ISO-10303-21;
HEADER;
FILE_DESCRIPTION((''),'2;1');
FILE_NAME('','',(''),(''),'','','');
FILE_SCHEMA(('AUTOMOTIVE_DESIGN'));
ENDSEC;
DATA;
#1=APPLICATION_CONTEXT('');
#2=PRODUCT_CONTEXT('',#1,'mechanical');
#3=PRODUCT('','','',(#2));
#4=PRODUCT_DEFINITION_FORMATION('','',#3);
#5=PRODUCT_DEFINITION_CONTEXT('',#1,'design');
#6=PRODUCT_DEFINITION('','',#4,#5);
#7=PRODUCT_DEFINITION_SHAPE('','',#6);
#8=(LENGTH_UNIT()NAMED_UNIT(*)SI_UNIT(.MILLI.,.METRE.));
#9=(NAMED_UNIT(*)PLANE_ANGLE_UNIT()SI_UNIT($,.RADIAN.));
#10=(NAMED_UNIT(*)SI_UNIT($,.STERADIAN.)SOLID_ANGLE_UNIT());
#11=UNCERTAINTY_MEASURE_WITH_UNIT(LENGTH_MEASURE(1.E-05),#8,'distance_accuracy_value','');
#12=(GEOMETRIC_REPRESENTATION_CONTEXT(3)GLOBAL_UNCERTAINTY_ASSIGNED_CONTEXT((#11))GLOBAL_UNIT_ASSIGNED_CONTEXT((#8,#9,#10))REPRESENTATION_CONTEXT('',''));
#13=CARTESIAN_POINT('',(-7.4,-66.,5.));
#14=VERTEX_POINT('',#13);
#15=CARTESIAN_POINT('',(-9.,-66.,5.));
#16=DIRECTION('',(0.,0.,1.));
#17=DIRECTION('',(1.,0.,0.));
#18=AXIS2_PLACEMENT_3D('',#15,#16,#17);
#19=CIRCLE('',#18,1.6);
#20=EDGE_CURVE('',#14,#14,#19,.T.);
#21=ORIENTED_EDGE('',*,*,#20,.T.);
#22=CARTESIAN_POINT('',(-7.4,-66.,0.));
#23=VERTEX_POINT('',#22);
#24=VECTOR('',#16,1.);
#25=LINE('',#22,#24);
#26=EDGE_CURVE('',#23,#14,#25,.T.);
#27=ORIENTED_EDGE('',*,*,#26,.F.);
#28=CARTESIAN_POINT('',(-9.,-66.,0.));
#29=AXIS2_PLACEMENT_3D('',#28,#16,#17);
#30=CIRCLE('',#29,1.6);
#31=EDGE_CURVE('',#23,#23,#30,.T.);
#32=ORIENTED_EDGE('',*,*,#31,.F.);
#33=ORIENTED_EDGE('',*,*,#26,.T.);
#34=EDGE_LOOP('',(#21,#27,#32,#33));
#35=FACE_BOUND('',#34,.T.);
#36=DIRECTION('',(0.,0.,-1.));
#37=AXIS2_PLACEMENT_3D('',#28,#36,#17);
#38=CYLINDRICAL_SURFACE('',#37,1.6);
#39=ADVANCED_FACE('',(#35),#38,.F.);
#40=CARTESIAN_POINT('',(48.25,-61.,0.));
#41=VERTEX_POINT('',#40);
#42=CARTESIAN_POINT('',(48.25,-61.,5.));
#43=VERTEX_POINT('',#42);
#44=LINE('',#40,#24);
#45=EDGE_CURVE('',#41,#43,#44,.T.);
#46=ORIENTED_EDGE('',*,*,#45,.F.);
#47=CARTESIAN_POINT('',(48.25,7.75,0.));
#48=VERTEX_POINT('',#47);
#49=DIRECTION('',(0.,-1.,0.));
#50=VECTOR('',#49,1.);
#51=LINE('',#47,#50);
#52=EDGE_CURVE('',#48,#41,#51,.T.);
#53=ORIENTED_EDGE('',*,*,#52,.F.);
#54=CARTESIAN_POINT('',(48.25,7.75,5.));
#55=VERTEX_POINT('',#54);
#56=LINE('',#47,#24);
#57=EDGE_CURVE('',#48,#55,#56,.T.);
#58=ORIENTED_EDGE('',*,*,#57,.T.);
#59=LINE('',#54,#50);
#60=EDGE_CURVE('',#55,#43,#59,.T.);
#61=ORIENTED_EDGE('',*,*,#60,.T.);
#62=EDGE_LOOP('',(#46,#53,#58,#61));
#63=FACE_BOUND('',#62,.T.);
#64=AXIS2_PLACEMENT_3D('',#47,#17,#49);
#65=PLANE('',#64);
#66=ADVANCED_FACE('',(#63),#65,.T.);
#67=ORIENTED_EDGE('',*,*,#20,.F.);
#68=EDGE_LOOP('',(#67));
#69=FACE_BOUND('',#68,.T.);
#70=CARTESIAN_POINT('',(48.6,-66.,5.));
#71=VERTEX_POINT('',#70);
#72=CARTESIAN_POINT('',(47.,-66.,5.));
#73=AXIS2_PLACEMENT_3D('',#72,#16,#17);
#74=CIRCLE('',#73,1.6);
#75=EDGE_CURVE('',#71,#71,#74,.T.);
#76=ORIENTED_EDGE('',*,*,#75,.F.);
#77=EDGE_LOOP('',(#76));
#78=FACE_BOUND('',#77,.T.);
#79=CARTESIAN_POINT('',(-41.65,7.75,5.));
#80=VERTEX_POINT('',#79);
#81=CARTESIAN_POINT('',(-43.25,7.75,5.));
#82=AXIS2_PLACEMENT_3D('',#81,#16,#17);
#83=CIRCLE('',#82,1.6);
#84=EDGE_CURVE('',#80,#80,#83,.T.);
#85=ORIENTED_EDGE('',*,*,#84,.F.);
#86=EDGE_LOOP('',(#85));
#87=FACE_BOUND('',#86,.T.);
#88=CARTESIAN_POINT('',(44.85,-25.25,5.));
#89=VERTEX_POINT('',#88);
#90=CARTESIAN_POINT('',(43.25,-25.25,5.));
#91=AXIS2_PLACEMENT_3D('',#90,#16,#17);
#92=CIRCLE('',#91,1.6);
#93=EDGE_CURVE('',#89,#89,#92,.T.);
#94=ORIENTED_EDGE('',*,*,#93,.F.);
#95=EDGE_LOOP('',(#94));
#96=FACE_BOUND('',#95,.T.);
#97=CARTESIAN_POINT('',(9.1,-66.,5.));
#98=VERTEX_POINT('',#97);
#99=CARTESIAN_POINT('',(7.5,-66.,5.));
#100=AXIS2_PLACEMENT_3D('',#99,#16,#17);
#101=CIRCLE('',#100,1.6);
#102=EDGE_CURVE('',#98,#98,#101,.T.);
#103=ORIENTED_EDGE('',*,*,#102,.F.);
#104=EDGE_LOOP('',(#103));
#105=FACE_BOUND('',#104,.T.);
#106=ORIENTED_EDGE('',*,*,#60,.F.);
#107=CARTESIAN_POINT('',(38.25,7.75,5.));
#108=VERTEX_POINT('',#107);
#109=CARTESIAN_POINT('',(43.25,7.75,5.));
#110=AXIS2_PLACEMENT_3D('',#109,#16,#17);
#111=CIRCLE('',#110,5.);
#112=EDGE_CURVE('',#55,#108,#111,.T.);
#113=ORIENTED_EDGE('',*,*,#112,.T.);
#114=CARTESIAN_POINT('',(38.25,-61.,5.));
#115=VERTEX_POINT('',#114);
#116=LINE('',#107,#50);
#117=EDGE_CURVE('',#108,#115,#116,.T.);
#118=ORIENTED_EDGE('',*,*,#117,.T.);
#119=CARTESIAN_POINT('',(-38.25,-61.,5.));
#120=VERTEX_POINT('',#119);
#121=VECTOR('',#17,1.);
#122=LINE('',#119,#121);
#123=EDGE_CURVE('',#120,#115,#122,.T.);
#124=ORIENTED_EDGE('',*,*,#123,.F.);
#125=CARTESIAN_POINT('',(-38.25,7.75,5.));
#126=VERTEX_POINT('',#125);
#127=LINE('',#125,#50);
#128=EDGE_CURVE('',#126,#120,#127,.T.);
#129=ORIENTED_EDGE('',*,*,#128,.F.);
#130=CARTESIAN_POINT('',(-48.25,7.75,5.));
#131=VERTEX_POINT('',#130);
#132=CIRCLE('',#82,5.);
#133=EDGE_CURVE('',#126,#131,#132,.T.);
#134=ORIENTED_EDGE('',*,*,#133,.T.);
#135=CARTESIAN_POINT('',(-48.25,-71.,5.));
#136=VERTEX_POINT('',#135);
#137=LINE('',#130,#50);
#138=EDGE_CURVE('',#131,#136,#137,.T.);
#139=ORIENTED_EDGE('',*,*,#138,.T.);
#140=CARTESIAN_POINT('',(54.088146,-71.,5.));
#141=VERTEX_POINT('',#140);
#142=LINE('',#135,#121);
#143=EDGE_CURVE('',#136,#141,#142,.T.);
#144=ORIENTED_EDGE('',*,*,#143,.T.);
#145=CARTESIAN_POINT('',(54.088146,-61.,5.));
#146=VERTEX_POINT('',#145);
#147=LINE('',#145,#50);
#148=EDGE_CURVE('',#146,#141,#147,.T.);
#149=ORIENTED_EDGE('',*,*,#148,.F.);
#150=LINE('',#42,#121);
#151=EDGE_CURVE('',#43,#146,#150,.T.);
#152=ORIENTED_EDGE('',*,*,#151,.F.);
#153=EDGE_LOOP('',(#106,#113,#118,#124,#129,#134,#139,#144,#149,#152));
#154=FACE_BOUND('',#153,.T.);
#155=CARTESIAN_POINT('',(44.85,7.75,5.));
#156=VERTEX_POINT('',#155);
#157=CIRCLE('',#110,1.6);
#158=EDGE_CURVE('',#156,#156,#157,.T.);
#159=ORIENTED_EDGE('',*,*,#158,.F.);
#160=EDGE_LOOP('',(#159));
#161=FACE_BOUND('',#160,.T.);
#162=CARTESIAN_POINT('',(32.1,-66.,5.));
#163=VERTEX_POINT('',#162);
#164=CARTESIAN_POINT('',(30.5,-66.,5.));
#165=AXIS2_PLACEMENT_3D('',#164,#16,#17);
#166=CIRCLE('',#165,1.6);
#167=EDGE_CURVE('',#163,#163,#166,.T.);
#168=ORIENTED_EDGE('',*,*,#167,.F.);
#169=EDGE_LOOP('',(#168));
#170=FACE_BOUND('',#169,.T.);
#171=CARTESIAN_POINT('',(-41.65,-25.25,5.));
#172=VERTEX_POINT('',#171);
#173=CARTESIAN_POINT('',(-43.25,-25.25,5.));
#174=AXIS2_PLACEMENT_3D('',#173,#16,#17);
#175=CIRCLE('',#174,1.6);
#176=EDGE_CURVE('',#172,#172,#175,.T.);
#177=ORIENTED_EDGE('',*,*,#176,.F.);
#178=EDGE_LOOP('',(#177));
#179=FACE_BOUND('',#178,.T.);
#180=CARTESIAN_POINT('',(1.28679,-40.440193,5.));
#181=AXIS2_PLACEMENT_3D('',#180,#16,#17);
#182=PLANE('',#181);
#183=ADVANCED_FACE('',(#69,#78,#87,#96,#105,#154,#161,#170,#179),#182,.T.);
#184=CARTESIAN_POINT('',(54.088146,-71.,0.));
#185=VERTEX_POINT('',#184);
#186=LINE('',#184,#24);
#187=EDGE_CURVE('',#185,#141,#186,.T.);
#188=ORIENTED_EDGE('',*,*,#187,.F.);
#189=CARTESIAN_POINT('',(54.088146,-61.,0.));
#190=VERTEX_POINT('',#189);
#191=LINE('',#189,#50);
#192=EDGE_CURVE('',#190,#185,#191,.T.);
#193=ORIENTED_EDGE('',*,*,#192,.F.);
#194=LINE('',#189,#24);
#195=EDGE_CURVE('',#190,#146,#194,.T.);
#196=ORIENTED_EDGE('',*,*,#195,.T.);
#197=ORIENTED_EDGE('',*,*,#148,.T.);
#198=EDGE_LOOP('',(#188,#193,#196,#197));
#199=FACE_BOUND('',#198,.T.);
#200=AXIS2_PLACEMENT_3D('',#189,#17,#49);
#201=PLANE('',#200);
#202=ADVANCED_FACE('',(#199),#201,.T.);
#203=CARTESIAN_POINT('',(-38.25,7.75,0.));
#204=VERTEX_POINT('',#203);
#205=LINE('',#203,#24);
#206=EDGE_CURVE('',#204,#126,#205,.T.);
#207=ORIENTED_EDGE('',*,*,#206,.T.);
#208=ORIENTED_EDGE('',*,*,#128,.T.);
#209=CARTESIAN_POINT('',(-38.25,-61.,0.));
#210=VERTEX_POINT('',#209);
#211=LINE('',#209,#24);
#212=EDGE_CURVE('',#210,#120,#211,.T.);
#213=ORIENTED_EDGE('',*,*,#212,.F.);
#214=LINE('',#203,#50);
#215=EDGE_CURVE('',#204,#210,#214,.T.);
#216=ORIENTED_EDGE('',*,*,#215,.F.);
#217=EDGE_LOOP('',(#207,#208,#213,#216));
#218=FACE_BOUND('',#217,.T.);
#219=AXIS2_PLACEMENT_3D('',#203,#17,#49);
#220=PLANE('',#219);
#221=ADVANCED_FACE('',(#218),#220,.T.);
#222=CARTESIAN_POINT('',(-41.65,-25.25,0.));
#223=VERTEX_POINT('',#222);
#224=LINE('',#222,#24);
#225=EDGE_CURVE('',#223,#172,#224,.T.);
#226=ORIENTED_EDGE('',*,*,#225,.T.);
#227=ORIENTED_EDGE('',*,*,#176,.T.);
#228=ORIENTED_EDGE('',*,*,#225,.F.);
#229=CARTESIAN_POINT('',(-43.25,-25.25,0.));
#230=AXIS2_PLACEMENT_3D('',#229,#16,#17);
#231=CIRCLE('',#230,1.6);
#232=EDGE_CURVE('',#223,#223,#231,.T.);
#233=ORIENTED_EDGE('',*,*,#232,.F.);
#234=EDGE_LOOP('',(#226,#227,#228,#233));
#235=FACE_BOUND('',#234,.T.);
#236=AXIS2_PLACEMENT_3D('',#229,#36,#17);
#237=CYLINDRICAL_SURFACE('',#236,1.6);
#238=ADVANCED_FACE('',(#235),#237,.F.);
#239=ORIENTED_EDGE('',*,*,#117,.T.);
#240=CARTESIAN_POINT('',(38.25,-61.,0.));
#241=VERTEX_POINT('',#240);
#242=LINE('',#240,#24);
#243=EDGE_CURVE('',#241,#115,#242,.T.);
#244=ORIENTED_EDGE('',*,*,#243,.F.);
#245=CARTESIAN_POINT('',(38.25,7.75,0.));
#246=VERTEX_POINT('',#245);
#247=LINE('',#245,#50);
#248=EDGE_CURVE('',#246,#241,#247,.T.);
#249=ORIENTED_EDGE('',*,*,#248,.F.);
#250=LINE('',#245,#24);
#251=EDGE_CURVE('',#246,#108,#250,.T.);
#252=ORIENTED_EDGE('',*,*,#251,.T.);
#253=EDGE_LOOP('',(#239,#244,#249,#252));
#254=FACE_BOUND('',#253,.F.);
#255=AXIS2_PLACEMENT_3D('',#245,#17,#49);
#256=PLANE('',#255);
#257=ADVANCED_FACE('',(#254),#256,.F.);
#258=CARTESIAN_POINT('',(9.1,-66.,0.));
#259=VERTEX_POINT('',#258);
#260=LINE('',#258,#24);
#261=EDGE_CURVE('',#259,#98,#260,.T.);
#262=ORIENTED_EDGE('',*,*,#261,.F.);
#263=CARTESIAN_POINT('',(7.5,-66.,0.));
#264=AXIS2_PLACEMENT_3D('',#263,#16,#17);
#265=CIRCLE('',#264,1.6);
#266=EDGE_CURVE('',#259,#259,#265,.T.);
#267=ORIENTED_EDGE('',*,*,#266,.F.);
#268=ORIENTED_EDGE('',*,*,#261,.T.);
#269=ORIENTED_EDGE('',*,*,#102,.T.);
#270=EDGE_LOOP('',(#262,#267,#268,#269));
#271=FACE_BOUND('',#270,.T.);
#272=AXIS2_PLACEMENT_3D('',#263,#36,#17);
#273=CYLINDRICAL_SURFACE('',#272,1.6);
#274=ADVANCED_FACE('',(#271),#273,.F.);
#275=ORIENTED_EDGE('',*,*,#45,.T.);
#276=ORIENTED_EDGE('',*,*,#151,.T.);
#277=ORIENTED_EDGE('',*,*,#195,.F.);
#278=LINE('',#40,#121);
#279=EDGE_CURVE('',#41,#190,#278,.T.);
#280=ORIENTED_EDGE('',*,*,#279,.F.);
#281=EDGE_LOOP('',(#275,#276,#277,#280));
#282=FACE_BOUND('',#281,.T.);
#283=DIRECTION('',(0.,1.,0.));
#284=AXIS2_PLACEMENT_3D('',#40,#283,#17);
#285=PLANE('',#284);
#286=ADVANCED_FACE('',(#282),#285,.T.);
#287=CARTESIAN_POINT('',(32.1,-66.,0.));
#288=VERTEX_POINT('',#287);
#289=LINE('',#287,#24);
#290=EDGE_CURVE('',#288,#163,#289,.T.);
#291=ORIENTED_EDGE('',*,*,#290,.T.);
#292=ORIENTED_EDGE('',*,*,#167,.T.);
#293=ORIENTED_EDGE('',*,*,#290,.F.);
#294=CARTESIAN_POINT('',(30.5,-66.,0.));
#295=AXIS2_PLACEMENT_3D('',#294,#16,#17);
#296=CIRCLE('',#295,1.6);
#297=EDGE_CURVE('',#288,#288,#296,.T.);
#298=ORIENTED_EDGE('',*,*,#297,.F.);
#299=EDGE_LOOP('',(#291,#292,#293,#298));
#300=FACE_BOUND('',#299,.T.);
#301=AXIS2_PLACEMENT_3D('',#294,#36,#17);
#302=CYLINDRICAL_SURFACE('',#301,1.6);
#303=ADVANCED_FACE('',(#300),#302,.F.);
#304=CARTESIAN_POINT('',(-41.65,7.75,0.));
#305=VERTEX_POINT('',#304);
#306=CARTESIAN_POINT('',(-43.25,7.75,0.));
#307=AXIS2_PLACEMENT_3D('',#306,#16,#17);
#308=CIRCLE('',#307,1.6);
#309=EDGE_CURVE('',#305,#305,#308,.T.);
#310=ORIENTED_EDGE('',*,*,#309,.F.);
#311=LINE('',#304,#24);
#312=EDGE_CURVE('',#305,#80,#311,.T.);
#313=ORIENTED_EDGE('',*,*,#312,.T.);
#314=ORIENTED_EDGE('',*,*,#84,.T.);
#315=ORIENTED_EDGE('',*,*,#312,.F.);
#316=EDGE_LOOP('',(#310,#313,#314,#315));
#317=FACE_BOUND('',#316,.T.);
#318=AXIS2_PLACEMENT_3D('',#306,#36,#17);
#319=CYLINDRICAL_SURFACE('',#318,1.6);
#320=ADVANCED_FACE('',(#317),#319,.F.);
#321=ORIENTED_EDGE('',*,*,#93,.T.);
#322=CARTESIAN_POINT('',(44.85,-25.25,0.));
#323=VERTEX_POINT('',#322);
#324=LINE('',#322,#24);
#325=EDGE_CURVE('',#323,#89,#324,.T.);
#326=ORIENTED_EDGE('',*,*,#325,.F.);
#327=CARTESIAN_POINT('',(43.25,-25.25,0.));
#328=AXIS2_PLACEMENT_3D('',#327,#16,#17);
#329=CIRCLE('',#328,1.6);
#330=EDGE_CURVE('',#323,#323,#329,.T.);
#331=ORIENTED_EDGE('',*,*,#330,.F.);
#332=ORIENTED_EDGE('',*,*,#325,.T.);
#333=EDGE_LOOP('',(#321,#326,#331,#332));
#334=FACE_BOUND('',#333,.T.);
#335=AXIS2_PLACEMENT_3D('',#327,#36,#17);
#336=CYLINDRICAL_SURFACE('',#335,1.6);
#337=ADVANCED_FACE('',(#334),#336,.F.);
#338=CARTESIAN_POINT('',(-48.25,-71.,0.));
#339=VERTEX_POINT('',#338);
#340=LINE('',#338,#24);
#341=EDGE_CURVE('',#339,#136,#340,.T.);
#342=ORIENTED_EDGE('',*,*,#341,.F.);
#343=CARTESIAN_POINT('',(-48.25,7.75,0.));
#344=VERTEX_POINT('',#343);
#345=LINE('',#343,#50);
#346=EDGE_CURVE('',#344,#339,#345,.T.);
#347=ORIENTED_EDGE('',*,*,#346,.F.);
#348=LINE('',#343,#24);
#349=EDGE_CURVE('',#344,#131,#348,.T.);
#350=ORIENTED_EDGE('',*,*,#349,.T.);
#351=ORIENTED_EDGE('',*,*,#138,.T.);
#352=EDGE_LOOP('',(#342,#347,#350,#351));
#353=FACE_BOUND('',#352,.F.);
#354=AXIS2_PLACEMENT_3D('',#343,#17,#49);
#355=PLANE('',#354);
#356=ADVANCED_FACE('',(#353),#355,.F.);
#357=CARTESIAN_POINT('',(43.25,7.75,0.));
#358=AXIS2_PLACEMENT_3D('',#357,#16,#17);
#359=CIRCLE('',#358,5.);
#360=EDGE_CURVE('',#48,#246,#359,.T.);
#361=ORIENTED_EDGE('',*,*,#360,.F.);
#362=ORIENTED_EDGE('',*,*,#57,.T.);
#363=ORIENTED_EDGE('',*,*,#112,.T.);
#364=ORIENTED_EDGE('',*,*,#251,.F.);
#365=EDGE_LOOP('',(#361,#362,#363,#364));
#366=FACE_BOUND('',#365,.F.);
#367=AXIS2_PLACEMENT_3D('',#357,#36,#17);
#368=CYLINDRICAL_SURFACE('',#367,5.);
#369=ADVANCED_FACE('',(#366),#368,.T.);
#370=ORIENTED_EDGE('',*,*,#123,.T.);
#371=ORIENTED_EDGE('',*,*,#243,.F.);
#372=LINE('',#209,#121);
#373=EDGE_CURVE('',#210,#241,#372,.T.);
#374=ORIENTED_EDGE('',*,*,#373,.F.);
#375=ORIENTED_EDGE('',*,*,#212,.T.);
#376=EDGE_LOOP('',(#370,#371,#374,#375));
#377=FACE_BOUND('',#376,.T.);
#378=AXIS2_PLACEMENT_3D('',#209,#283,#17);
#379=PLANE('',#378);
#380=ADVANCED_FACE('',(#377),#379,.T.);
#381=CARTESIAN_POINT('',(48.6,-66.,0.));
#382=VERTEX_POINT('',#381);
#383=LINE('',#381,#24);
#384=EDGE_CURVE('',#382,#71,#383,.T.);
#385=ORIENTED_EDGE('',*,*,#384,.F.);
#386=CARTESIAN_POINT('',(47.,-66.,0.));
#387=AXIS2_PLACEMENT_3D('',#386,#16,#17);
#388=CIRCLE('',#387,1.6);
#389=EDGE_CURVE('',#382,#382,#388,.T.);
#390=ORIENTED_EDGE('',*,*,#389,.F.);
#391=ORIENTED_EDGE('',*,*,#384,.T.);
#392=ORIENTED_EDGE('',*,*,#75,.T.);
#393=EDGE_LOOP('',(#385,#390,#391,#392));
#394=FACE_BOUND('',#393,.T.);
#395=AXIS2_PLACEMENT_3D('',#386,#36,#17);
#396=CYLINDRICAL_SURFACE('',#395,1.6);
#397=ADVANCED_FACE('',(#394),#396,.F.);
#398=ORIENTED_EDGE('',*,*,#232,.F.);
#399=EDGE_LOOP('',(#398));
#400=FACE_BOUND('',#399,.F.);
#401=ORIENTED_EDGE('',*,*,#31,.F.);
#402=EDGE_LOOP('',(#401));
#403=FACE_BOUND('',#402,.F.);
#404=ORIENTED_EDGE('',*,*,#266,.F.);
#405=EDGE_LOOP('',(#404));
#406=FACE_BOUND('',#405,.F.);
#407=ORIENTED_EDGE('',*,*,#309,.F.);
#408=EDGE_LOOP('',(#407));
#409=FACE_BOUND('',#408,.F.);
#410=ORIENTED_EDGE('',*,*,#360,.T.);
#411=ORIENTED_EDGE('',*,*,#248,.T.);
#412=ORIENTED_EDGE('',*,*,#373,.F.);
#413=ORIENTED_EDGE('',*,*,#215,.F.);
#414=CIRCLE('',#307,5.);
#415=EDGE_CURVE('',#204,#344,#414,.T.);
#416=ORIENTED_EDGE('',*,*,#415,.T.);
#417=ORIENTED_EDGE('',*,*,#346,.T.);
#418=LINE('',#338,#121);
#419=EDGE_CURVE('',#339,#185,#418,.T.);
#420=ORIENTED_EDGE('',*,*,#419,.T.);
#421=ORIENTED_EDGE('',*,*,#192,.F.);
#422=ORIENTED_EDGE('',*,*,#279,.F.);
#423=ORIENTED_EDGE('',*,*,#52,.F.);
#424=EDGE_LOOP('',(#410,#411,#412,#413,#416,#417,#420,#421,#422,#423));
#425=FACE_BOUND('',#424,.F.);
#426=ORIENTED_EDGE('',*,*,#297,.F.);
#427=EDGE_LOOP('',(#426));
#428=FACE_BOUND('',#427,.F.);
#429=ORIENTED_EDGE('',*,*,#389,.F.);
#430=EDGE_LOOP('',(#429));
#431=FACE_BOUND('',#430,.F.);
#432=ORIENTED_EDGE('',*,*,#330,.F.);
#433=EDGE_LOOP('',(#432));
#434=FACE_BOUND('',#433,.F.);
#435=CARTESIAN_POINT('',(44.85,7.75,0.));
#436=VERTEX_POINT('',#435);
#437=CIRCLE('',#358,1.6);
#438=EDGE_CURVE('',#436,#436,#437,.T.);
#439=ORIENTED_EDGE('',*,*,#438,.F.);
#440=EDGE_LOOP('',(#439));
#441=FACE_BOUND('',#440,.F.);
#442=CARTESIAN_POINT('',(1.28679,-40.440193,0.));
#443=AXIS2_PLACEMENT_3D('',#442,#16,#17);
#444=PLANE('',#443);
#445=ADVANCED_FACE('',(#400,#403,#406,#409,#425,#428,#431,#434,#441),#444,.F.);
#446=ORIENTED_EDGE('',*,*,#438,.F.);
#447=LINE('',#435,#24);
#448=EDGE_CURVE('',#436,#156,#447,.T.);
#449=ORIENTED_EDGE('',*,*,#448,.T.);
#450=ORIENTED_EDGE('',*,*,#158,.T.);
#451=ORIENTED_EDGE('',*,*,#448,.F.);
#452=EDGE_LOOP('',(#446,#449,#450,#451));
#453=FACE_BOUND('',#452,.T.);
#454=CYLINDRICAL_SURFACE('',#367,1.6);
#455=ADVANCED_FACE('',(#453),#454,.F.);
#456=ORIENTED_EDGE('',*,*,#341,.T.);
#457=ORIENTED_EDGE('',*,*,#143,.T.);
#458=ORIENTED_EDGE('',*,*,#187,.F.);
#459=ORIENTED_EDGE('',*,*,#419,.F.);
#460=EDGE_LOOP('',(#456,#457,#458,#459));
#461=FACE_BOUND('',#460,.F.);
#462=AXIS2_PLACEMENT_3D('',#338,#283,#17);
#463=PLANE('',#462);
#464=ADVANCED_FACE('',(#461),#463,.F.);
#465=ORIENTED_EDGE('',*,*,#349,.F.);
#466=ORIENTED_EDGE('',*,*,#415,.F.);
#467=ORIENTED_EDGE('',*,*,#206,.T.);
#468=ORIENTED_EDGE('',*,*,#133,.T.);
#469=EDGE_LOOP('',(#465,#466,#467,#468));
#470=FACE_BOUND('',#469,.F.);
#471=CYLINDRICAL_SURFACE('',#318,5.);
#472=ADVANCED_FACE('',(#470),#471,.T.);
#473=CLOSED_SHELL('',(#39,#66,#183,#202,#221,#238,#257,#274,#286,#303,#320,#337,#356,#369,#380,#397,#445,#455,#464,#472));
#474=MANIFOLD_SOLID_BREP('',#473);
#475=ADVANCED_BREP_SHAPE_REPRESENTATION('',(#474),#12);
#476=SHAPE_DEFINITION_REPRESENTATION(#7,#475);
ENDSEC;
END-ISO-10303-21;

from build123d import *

# Parameters (mm, degrees)
SKETCH_R  = 1.6
PAD_DEPTH = 5


with BuildPart() as part:
    # Sketch → Pad (new body)
    with BuildSketch(Plane.XY):
        with BuildLine():
            ThreePointArc((-38.25, 7.75), (-43.25, 12.75), (-48.25, 7.75))
            Line((-48.25, 7.75), (-48.25, -71))
            Line((-48.25, -71), (54.088146, -71))
            Line((54.088146, -61), (54.088146, -71))
            Line((48.25, -61), (54.088146, -61))
            Line((48.25, 7.75), (48.25, -61))
            ThreePointArc((48.25, 7.75), (43.25, 12.75), (38.25, 7.75))
            Line((38.25, 7.75), (38.25, -61))
            Line((-38.25, -61), (38.25, -61))
            Line((-38.25, 7.75), (-38.25, -61))
        make_face()
        with Locations((-43.25, 7.75)):
            Circle(SKETCH_R, mode=Mode.SUBTRACT)
        with Locations((43.25, 7.75)):
            Circle(SKETCH_R, mode=Mode.SUBTRACT)
        with Locations((-43.25, -25.25)):
            Circle(SKETCH_R, mode=Mode.SUBTRACT)
        with Locations((43.25, -25.25)):
            Circle(SKETCH_R, mode=Mode.SUBTRACT)
        with Locations((7.5, -66)):
            Circle(SKETCH_R, mode=Mode.SUBTRACT)
        with Locations((-9, -66)):
            Circle(SKETCH_R, mode=Mode.SUBTRACT)
        with Locations((30.5, -66)):
            Circle(SKETCH_R, mode=Mode.SUBTRACT)
        with Locations((47, -66)):
            Circle(SKETCH_R, mode=Mode.SUBTRACT)
    extrude(amount=PAD_DEPTH)


solid = part.part
